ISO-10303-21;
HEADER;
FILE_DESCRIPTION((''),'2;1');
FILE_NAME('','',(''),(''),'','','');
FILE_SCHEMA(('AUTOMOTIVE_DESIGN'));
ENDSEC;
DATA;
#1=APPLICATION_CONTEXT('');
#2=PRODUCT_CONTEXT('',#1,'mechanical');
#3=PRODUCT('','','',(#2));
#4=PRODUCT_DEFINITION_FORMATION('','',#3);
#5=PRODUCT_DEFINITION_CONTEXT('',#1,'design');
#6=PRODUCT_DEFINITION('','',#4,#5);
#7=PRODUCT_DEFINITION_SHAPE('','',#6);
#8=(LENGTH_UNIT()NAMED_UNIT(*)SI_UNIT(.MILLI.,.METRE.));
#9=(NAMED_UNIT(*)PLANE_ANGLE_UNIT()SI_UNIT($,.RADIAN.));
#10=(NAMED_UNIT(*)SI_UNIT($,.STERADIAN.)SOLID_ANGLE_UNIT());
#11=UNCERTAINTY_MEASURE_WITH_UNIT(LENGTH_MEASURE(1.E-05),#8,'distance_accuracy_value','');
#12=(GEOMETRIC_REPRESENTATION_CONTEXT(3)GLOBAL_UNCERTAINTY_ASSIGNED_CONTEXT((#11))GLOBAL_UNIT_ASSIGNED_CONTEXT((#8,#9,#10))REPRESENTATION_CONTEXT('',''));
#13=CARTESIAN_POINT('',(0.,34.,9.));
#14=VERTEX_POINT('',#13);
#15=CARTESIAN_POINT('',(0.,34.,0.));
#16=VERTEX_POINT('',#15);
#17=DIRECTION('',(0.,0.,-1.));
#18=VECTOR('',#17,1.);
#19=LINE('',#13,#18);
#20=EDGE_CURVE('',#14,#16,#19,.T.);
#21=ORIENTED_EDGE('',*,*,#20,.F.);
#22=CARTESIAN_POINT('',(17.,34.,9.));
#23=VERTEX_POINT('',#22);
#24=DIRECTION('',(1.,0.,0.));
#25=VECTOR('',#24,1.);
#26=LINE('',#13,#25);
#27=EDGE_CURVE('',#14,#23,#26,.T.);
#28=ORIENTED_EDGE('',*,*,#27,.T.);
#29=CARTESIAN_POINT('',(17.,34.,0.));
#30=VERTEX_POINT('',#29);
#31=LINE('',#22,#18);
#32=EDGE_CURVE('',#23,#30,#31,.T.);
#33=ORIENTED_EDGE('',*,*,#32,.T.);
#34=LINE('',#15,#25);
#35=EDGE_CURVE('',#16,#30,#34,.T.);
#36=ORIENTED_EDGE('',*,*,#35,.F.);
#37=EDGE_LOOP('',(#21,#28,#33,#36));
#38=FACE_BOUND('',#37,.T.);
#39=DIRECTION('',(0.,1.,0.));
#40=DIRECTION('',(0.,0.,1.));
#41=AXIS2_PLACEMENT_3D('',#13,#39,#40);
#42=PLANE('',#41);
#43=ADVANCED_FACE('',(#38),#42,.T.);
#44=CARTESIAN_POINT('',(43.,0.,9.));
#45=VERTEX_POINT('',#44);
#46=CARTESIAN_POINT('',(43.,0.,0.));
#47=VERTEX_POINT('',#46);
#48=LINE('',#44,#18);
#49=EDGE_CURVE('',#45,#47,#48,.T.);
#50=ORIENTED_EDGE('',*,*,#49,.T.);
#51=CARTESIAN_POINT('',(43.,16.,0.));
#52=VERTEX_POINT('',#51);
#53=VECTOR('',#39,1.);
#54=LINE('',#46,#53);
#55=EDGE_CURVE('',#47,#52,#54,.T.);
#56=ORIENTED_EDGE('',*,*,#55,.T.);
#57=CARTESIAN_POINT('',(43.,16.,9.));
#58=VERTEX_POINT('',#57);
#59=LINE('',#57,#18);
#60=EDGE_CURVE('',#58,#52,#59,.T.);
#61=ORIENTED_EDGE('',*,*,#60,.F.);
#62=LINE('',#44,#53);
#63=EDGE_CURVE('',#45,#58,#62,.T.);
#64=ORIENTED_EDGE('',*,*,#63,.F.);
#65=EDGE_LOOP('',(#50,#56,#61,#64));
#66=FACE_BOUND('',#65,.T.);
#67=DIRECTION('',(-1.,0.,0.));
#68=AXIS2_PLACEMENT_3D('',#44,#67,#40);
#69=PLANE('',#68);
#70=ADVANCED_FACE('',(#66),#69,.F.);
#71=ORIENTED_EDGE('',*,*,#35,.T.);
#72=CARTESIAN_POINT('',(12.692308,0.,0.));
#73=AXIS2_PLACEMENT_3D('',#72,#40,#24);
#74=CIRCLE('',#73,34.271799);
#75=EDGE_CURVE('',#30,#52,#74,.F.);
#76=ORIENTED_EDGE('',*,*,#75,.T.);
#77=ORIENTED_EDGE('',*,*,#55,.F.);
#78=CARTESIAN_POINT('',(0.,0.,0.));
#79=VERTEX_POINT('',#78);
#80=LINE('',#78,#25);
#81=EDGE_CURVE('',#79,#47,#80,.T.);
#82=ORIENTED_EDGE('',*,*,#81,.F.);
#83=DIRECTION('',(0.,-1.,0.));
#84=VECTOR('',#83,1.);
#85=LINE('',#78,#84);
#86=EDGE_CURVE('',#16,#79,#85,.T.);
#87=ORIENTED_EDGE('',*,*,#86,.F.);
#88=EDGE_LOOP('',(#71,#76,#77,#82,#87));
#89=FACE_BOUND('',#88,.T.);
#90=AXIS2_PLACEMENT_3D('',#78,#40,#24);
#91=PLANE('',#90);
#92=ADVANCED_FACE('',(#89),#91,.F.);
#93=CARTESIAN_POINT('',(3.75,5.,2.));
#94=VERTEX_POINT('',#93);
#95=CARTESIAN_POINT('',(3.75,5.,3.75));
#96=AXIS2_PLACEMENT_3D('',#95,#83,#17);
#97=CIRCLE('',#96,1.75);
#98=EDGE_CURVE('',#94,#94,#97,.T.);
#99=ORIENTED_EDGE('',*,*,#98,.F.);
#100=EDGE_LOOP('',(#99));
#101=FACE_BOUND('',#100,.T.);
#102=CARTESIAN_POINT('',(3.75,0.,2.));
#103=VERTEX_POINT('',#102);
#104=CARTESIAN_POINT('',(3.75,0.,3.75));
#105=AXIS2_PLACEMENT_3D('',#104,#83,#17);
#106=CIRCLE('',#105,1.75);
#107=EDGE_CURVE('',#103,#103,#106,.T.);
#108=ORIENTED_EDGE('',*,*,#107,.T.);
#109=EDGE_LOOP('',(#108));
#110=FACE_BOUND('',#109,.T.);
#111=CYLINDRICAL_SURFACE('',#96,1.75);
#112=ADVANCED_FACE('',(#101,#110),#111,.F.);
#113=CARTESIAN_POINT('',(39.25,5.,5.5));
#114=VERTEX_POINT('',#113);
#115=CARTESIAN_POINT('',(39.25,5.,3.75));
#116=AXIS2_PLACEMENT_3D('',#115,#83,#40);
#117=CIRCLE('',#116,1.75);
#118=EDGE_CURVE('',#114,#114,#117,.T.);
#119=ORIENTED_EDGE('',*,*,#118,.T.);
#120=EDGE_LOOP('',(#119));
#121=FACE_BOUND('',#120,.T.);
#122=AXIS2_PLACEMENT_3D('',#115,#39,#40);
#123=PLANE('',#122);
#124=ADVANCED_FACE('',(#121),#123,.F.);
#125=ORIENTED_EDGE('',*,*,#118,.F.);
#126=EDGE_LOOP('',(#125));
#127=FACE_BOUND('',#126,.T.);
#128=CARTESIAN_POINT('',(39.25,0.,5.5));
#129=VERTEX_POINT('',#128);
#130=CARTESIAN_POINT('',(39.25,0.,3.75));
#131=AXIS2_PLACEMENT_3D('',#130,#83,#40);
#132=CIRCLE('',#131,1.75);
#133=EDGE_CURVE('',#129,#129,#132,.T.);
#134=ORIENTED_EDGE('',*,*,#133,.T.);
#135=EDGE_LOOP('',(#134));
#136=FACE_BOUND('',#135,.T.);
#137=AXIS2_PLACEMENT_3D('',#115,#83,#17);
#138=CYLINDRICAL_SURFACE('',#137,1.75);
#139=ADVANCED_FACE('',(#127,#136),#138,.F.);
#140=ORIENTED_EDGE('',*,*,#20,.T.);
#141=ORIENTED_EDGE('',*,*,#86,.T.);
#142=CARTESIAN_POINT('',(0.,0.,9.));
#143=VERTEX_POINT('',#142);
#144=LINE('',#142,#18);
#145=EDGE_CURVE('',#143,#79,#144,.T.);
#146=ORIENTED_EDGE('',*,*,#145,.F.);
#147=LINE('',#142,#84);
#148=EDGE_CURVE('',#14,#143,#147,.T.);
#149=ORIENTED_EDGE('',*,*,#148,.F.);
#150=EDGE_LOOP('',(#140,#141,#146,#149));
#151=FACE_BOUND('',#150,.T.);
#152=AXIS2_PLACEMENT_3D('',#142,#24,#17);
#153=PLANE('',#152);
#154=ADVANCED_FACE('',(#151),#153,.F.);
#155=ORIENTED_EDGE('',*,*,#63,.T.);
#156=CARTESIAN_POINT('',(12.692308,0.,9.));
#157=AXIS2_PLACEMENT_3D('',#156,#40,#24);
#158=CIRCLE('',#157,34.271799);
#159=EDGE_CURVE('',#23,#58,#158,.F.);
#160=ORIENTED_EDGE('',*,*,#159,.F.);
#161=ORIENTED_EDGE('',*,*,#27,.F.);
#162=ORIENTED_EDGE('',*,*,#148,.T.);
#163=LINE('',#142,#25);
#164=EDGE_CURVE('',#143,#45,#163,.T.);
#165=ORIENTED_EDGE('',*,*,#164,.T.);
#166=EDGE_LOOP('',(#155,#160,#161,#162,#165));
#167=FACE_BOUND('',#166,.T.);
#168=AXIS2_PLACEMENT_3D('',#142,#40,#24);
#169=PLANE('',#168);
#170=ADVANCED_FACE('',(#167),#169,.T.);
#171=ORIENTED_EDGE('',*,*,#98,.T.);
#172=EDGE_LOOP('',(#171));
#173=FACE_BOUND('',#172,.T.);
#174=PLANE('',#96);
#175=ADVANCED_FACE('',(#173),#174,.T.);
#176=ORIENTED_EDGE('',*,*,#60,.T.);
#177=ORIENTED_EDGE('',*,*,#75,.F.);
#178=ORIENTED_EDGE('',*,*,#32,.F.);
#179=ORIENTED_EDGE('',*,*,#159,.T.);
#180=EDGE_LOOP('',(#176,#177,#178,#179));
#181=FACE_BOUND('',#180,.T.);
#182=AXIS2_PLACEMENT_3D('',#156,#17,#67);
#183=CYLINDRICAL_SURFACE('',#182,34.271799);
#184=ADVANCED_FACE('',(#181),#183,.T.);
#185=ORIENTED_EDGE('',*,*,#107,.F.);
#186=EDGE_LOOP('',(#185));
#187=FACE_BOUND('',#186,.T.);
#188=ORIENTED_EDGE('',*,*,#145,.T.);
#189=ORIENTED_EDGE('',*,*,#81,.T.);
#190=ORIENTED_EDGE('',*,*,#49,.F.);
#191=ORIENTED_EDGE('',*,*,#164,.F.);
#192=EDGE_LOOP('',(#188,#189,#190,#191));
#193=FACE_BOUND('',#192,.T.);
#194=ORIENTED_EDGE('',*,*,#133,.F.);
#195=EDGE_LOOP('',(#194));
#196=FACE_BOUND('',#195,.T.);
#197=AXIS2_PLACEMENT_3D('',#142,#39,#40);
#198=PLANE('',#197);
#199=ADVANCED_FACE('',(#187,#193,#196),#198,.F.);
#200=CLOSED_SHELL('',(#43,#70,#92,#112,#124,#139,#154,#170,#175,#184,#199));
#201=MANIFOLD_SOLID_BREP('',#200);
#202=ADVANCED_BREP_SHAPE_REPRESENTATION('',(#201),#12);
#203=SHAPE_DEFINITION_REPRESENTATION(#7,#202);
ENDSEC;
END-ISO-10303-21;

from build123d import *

# Parameters (mm, degrees)
EXTRUDE_1_DEPTH     = 9
SKETCH_2_R          = 1.75
CUT_EXTRUDE_1_DEPTH = 5


with BuildPart() as part:
    # 草图1 → 凸台-拉伸1 (new body)
    with BuildSketch(Plane.XY):
        with BuildLine():
            Line((0, 0), (43, 0))
            Line((43, 0), (43, 16))
            ThreePointArc((43, 16), (32.200157728, 28.178005607), (17, 34))
            Line((17, 34), (0, 34))
            Line((0, 34), (0, 0))
        make_face()
    extrude(amount=EXTRUDE_1_DEPTH)

    # 草图2 → 切除-拉伸1 (cut)
    with BuildSketch(Plane.XZ):
        with Locations(Location((3.75, 3.75, 0), (0, 0, 270))):
            Circle(SKETCH_2_R)
        with Locations(Location((39.25, 3.75, 0), (0, 0, 90))):
            Circle(SKETCH_2_R)
    extrude(amount=-CUT_EXTRUDE_1_DEPTH, mode=Mode.SUBTRACT)


solid = part.part
